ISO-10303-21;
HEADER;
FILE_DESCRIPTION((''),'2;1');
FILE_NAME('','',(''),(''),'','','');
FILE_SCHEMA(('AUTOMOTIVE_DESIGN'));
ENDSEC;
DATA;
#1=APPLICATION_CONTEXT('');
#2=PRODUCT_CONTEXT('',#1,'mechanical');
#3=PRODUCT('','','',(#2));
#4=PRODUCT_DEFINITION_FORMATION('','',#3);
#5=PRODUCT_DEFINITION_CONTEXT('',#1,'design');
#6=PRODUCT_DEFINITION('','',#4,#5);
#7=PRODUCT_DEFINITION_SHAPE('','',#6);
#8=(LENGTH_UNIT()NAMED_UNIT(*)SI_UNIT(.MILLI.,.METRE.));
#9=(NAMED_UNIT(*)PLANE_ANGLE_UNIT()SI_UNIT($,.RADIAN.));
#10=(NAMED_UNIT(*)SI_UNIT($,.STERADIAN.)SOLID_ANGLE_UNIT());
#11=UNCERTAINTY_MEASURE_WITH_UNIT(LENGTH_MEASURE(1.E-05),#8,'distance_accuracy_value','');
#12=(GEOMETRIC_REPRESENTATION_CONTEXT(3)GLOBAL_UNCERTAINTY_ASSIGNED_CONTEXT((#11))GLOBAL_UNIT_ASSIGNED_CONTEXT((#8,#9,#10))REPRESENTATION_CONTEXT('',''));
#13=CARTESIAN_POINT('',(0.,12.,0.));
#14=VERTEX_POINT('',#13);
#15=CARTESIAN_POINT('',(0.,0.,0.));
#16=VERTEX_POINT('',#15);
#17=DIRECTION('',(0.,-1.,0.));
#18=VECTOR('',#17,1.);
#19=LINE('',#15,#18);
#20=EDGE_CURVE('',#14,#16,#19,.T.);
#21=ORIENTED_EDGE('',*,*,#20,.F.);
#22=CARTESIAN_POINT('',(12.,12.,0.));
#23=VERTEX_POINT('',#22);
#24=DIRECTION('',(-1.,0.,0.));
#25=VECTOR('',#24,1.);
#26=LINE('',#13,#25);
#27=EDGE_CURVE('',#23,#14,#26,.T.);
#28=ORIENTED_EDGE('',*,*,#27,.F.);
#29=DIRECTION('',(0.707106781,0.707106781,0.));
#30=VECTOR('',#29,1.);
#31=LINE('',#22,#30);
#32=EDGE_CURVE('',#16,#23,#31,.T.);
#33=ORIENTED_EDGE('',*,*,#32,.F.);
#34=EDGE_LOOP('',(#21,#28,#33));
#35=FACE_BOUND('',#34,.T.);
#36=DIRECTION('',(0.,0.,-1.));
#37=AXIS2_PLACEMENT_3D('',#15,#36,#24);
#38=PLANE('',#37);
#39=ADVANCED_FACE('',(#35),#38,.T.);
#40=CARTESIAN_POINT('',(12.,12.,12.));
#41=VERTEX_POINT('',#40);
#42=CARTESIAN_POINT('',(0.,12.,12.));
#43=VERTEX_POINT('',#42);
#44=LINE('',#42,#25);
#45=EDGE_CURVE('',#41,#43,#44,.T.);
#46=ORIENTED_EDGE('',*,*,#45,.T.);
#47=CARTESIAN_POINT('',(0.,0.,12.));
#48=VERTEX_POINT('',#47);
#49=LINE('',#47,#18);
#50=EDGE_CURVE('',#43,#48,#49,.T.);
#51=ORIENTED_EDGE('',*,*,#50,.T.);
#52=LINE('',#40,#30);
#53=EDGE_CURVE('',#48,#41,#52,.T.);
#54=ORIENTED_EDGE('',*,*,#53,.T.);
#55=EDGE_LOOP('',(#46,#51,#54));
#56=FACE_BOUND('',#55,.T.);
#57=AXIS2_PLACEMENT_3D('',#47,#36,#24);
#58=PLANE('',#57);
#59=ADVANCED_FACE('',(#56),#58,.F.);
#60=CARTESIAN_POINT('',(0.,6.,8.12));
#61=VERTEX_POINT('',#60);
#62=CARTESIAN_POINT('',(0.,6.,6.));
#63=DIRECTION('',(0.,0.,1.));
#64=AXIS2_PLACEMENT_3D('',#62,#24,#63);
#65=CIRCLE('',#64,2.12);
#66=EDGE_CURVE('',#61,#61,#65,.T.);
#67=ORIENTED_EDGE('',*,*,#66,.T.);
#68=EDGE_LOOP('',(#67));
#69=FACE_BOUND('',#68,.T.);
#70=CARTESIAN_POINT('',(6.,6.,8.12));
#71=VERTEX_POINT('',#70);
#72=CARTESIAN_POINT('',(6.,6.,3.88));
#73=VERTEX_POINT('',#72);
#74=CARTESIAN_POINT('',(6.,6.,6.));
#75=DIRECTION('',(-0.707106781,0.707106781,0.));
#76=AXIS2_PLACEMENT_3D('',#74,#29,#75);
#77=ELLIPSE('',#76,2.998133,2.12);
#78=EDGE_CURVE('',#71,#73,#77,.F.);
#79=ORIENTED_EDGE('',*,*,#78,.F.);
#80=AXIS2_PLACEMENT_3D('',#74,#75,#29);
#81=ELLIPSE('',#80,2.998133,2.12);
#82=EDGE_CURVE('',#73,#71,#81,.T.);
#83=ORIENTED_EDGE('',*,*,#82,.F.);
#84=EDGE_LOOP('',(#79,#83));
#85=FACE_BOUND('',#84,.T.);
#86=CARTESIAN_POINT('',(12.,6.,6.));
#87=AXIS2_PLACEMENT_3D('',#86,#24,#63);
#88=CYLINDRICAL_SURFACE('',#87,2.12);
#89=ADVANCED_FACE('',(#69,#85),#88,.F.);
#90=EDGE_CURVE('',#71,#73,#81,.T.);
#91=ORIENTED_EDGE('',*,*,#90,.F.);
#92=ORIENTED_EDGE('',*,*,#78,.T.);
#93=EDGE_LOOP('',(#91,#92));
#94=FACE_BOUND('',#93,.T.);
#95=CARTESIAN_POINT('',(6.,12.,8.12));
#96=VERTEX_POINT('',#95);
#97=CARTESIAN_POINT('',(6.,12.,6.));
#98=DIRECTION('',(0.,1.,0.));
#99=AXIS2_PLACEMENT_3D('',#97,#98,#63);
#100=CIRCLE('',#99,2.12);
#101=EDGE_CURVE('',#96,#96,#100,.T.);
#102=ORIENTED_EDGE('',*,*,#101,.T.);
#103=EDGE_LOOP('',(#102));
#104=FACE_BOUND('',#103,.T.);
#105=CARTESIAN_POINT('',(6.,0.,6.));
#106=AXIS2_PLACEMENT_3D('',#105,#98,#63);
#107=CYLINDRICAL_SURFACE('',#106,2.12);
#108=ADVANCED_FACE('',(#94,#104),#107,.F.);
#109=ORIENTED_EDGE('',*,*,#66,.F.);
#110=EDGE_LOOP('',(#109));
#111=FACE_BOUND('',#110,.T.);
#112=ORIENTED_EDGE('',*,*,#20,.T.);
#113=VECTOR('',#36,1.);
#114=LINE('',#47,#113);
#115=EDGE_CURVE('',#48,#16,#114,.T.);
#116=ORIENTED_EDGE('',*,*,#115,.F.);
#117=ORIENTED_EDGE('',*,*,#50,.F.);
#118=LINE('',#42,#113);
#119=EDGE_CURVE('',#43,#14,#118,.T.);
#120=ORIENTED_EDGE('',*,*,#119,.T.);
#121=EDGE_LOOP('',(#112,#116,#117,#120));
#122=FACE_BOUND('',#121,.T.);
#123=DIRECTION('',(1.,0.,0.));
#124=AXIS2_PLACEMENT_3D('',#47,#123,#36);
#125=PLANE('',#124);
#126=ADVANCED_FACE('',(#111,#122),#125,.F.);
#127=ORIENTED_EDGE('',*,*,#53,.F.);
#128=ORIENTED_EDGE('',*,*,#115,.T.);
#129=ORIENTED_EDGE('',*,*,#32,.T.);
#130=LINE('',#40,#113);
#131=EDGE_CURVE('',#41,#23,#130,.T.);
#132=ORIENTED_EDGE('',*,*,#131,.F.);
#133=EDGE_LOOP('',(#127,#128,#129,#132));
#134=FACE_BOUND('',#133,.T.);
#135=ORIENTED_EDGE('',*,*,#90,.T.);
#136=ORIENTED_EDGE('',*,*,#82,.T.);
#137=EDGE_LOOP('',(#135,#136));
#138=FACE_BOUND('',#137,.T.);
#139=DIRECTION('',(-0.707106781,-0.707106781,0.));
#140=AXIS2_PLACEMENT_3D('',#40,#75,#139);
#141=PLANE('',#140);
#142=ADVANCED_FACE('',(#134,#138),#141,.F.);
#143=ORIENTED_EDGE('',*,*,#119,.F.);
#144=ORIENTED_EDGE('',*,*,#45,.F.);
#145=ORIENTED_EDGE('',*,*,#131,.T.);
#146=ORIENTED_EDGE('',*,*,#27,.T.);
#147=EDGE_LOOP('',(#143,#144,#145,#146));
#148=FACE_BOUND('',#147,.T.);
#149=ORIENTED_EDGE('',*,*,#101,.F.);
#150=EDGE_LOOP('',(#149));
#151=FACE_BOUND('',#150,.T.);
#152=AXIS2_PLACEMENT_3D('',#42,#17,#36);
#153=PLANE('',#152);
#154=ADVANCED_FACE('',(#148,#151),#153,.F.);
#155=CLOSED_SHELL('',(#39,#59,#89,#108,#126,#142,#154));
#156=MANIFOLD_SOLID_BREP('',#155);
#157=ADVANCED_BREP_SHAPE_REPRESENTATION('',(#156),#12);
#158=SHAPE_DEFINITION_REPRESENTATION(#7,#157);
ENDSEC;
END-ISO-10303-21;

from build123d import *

# Parameters (mm, degrees)
BOSS_EXTRU_1_DEPTH      = 12
ESQUISSE2_R             = 2.12
ENL_V_MAT_EXTRU_1_DEPTH = 12
ESQUISSE3_R             = 2.12
ENL_V_MAT_EXTRU_2_DEPTH = 12


with BuildPart() as part:
    # Esquisse1 → Boss.-Extru.1 (new body)
    with BuildSketch(Plane.XY):
        Polygon((0, 0), (0, 12), (12, 12), align=None)
    extrude(amount=BOSS_EXTRU_1_DEPTH)

    # Esquisse2 → Enlèv. mat.-Extru.1 (cut)
    with BuildSketch(Plane(origin=(0, 12, 0), x_dir=(1, 0, 0), z_dir=(0, 1, 0))):
        with Locations(Location((6, -6, 0), (0, 0, 270))):
            Circle(ESQUISSE2_R)
    extrude(amount=-ENL_V_MAT_EXTRU_1_DEPTH, mode=Mode.SUBTRACT)

    # Esquisse3 → Enlèv. mat.-Extru.2 (cut)
    with BuildSketch(Plane.ZY):
        with Locations((6, 6)):
            Circle(ESQUISSE3_R)
    extrude(amount=-ENL_V_MAT_EXTRU_2_DEPTH, mode=Mode.SUBTRACT)


solid = part.part
